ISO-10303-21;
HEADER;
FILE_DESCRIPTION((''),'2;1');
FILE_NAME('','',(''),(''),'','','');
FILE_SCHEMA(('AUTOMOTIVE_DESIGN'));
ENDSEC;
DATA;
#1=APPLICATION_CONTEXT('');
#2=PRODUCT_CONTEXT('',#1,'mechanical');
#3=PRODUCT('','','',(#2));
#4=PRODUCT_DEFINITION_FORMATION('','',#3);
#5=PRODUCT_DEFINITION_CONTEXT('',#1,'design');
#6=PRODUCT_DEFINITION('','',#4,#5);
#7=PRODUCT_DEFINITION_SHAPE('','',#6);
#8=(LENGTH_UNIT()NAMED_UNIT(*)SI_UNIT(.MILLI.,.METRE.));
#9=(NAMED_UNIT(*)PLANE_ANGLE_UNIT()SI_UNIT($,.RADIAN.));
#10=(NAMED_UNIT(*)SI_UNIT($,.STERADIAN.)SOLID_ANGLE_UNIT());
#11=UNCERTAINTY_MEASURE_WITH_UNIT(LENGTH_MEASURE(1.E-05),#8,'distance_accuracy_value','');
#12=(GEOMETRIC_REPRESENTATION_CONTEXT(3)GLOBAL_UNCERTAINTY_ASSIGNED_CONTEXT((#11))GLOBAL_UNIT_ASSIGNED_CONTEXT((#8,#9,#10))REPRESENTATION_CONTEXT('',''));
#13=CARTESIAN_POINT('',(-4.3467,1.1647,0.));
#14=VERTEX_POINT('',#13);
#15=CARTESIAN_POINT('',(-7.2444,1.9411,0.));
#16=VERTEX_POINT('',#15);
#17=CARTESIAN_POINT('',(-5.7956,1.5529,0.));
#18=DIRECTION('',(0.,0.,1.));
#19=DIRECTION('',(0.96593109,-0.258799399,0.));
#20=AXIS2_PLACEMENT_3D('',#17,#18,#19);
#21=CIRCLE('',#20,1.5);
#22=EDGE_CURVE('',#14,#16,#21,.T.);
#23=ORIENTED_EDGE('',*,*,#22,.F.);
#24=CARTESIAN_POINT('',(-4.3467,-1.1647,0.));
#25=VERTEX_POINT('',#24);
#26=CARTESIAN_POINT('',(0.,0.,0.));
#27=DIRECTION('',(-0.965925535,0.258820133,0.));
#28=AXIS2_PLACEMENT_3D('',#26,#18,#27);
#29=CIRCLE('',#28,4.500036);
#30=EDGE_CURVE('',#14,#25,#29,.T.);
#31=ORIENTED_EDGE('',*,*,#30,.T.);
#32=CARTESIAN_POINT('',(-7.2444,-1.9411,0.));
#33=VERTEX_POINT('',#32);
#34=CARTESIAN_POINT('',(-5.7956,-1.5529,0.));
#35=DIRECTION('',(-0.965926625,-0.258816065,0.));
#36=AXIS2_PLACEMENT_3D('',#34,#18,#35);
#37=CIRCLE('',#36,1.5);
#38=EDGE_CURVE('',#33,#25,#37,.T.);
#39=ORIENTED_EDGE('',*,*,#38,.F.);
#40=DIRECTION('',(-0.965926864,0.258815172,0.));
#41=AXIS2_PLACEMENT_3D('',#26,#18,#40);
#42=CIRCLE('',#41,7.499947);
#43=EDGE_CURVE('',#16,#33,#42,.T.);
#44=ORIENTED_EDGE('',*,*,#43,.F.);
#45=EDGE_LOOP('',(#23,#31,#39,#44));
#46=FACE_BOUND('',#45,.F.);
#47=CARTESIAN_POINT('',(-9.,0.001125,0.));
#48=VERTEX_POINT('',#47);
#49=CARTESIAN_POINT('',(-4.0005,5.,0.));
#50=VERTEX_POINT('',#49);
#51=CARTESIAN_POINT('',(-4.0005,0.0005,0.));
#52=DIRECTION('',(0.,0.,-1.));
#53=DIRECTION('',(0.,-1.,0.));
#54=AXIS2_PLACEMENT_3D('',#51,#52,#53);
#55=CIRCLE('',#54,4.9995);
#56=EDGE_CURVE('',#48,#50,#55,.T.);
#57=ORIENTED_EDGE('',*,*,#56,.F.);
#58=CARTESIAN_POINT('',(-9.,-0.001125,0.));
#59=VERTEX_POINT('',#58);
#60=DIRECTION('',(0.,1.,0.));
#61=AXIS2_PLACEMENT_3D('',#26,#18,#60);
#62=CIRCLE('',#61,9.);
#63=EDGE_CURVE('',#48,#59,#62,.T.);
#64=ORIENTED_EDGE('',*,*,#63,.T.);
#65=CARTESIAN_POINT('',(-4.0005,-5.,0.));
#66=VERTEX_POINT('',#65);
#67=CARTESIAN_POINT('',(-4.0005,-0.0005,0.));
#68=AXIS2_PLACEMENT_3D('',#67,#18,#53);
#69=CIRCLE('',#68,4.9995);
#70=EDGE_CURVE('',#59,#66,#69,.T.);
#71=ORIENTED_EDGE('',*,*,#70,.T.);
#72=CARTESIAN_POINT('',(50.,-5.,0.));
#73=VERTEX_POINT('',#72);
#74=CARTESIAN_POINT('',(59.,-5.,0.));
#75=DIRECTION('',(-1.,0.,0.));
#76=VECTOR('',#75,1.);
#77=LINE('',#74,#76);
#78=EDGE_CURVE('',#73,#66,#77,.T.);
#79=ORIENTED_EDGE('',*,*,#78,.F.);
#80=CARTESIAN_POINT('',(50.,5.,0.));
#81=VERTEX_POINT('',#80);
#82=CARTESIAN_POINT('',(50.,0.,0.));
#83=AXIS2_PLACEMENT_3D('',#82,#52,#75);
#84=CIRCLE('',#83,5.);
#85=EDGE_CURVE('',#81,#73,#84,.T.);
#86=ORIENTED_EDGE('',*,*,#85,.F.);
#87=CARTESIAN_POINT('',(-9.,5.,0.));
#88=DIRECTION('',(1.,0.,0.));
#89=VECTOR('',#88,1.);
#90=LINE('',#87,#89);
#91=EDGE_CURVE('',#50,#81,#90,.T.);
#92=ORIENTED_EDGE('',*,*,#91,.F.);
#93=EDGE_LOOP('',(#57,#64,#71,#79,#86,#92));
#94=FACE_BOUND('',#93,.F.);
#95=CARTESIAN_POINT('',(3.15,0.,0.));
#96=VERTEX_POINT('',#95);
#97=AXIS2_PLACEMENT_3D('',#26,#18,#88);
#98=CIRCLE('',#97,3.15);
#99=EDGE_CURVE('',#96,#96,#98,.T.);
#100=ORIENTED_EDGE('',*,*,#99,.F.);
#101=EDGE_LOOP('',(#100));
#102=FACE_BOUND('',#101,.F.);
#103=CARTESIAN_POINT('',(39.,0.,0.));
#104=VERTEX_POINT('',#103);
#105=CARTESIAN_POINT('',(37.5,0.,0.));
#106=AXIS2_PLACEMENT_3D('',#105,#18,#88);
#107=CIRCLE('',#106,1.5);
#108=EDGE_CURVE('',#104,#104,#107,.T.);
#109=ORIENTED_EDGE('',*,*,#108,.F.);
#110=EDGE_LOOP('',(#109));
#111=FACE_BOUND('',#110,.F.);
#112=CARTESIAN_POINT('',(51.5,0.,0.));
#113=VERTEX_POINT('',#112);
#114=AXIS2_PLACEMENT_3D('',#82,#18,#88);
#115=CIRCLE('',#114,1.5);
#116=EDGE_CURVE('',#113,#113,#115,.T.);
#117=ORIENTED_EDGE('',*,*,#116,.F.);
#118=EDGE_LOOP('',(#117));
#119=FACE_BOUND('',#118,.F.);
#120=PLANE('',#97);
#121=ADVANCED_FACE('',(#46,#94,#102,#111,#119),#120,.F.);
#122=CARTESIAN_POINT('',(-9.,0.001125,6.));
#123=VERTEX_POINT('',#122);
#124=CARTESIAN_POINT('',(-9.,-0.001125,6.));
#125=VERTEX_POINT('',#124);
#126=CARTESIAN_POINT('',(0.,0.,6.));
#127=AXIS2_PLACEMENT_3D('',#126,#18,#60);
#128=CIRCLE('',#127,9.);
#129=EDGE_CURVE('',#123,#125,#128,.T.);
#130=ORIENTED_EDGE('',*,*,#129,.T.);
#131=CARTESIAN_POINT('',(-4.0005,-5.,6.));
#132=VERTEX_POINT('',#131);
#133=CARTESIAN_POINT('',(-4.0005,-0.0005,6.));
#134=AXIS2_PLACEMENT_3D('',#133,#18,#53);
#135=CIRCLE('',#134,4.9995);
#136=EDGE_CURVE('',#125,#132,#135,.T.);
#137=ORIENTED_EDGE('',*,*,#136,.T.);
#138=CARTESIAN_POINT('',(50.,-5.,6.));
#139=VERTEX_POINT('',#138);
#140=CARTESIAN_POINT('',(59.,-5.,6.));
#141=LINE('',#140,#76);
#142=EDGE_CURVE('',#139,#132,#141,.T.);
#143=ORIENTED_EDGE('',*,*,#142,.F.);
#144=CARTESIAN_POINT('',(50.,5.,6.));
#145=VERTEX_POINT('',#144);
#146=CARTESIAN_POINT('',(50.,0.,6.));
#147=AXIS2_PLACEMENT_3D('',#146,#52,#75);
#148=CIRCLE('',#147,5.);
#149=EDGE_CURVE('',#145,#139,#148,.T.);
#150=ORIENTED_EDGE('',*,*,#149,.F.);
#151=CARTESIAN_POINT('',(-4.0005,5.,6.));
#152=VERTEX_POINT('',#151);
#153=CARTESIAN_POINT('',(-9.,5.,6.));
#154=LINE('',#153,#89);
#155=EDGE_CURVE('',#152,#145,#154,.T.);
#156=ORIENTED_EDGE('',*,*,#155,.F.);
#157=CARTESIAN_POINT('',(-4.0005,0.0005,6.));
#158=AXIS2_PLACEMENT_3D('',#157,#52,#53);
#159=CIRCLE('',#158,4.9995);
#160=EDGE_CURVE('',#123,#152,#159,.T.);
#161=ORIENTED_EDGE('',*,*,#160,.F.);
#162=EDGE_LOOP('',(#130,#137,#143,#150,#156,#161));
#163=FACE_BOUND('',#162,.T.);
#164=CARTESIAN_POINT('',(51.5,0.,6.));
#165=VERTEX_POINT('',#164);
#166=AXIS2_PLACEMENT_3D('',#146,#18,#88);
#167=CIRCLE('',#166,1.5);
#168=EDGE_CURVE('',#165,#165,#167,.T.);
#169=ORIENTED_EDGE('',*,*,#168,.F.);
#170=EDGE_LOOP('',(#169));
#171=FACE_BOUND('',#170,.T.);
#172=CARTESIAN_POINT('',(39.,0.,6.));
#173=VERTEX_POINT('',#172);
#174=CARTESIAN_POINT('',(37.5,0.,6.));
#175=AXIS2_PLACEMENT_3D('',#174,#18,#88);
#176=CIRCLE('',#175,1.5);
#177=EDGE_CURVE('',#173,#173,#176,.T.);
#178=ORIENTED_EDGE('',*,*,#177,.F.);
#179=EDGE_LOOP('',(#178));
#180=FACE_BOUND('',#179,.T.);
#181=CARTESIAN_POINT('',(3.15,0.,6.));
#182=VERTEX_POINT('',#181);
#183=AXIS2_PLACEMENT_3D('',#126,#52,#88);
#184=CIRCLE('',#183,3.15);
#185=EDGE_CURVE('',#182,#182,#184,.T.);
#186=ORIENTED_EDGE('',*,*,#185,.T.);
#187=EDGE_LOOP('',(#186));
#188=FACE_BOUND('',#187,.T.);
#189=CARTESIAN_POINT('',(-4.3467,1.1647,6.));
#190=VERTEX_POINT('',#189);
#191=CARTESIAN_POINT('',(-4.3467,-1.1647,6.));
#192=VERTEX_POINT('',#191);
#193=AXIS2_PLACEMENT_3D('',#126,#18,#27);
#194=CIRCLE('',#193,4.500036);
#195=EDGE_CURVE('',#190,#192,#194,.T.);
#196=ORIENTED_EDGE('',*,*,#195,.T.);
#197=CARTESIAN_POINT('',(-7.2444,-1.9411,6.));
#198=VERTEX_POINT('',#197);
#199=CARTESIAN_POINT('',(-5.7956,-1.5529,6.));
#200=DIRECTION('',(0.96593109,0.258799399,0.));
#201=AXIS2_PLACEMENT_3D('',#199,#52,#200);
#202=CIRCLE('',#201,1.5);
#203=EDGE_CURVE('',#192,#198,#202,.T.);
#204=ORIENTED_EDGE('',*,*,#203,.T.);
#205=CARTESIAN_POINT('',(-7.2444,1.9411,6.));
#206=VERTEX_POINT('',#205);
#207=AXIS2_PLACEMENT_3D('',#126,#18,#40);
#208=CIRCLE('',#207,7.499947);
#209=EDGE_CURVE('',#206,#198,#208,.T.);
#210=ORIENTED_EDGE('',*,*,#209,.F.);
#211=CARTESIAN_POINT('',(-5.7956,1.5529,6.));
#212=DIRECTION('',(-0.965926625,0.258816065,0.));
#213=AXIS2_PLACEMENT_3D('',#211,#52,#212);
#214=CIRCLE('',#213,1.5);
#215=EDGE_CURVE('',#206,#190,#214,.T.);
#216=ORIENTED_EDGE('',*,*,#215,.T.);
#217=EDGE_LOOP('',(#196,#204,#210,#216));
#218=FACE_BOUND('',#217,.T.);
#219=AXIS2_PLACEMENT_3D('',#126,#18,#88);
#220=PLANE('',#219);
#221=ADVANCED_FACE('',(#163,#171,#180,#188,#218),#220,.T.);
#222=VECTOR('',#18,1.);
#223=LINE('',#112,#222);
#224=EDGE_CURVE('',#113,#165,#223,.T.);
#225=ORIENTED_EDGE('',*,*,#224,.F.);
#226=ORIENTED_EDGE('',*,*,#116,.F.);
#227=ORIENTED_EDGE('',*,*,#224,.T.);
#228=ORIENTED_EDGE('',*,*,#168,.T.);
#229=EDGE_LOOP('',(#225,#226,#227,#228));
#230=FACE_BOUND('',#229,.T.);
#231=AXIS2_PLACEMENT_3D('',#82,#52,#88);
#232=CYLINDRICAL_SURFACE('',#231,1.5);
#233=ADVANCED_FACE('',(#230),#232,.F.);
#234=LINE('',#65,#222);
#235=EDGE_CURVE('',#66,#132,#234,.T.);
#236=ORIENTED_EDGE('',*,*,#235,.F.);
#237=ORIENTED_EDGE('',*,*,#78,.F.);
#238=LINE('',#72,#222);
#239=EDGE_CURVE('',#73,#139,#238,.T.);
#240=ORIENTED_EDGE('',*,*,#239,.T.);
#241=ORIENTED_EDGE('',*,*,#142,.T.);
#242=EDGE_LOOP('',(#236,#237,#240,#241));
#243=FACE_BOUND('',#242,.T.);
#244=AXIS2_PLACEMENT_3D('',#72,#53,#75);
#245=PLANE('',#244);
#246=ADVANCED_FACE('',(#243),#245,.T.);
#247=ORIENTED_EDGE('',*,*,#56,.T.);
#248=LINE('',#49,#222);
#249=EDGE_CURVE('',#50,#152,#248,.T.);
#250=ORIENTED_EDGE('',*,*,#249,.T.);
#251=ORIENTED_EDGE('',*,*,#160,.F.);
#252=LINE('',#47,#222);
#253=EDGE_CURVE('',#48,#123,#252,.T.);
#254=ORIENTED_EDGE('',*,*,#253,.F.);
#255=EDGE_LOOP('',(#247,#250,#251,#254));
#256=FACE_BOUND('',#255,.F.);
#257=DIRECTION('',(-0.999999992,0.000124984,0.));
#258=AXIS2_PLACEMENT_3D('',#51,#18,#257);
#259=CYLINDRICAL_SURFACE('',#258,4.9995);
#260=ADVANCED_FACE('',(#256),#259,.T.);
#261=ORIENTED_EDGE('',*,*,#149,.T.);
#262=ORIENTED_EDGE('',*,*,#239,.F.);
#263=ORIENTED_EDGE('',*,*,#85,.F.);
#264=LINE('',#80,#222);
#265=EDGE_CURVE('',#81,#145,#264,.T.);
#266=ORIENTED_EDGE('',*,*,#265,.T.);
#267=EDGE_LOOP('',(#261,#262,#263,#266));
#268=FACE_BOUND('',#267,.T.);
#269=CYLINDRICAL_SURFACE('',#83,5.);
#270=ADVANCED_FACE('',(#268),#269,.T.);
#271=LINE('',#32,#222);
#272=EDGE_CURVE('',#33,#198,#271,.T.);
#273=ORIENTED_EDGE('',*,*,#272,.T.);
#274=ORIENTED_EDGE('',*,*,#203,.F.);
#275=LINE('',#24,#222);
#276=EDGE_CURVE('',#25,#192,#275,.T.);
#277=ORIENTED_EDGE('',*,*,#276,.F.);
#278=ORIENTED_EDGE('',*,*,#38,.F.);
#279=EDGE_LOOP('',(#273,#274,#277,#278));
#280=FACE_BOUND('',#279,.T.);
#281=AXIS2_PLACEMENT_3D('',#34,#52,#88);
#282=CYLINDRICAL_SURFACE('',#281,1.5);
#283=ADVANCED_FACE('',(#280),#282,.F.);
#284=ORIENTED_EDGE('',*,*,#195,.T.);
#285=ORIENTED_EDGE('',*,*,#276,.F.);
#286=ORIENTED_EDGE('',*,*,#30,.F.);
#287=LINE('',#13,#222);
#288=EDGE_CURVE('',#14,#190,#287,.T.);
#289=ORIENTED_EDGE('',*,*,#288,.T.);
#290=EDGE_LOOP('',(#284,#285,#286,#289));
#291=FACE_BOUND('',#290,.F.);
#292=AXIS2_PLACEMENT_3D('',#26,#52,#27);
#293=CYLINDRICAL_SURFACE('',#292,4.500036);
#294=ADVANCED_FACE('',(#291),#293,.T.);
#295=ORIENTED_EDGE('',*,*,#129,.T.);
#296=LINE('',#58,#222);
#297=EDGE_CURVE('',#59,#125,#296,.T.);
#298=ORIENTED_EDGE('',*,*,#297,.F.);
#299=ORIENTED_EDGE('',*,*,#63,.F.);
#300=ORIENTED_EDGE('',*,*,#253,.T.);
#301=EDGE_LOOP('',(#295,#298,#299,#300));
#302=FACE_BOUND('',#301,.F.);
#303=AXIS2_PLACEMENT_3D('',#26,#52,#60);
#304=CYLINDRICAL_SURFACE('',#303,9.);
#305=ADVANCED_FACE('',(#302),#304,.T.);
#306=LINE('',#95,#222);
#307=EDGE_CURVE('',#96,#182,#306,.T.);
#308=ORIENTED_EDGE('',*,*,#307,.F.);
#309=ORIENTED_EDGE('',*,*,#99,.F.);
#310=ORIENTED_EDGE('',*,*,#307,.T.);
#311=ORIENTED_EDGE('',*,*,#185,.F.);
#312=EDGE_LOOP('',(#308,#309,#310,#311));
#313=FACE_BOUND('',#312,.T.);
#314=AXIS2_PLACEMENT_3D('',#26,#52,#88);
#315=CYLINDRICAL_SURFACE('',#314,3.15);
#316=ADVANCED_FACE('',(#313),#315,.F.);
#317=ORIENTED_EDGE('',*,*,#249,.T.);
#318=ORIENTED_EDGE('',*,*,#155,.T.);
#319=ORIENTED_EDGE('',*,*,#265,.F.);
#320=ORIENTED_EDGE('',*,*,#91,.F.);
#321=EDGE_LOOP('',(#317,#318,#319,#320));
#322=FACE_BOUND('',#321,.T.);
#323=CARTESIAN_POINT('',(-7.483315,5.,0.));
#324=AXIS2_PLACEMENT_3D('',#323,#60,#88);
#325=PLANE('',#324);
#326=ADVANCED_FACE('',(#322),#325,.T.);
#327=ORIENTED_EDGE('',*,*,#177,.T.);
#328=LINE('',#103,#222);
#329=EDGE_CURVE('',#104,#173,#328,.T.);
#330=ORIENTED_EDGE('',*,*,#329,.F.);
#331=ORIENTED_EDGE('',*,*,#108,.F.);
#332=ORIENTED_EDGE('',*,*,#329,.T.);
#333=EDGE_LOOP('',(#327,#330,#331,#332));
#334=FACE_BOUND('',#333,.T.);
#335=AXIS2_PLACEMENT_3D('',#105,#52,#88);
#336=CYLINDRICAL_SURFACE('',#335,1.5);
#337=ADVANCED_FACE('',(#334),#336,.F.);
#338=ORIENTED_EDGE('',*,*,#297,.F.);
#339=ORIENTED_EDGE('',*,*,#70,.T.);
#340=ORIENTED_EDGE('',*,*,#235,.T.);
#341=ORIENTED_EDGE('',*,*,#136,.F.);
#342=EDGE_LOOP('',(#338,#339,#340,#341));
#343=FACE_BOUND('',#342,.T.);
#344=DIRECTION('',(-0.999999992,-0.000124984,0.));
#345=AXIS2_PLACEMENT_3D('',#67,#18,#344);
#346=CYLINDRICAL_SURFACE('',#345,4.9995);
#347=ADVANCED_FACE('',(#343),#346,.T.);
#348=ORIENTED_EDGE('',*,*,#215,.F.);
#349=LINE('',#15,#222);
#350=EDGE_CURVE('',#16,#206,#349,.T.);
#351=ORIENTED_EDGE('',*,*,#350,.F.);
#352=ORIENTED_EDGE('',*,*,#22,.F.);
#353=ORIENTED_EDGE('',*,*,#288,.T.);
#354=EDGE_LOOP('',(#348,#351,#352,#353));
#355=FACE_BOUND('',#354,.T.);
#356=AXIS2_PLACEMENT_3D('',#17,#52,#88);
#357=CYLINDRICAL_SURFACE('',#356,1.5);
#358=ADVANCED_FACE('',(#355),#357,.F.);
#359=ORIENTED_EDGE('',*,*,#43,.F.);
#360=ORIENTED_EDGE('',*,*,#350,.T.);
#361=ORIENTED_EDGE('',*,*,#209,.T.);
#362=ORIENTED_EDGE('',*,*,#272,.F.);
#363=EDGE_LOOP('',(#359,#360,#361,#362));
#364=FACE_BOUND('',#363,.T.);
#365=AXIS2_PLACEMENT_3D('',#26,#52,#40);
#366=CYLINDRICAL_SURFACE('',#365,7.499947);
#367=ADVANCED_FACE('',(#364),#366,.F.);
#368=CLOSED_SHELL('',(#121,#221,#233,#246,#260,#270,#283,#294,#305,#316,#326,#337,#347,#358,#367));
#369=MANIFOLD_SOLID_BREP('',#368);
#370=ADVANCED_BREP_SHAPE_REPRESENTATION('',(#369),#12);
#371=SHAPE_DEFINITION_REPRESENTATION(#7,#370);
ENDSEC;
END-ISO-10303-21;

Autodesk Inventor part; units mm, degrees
ref_plane "YZ Plane" through (0, 0, 0) normal (1, 0, 0) x (0, 1, 0)
ref_plane "XZ Plane" through (0, 0, 0) normal (0, 1, 0) x (-1, 0, 0)
ref_plane "XY Plane" through (0, 0, 0) normal (0, 0, 1) x (1, 0, 0)
sketch "Sketch1" plane through (0, 0, 0) normal (0, 0, 1) x (1, 0, 0)
  circle A0 centre (0, 0) radius 3.15
  line L0 (0, 0) -> (50, 0) construction
  line L1 (0, -9) -> (50, -9)
  line L2 (50, 9) -> (0, 9)
  arc A1 (0, 9) -> (0, -9) centre (0, 0) ccw
  arc A2 (50, -9) -> (50, 9) centre (50, 0) ccw
  line L3 (0, 0) -> (50, 0) construction
  circle A3 centre (50, 0) radius 1.5
  circle A4 centre (37.5, 0) radius 1.5
  circle A5 centre (-5.7956, -1.5529) radius 1.5
  circle A6 centre (-5.7956, 1.5529) radius 1.5
  line L4 (0, 0) -> (-5.7956, 1.5529) construction
  line L5 (0, 0) -> (-5.7956, -1.5529) construction
  line L6 (0, 0) -> (-9, 0) construction
  arc A7 (-4.3467, 1.1647) -> (-4.3467, -1.1647) centre (0, 0) ccw
  arc A8 (-7.2444, 1.9411) -> (-7.2444, -1.9411) centre (0, 0) ccw
  line L7 (-1.8674, 2.5368) -> (1.2741, 2.8808)
  point P0 (25, 0)
  dimension "d0" = 6.3
  dimension "d1" = 50
  dimension "d2" = 0
  dimension "d3" = 18
  dimension "d4" = 3
  dimension "d5" = 3
  dimension "d6" = 12.5
  dimension "d7" = 3
  dimension "d8" = 3
  dimension "d9" = 15
  dimension "d10" = 15
  dimension "d12" = 6
  dimension "d15" = 2.725
  dimension "d16" = -6.25
  dimension "d17" = 6
extrude "Extrusion1" add sketch "Sketch1" along normal blind 6
sketch "Sketch2" plane through (0, 0, 0) normal (0, 0, -1) x (-1, 0, 0)
  arc A0 (-50, 9) -> (-50, -9) centre (-50, 0) ccw projected
  line L0 (0, -9) -> (-50, -9) projected
  arc A1 (0, -9) -> (0, 9) centre (0, 0) ccw projected
  line L1 (-50, 9) -> (0, 9) projected
  circle A2 centre (-37.5, 0) radius 1.5 projected
  arc A3 (7.2444, -1.9411) -> (7.2444, 1.9411) centre (0, 0) ccw projected
  arc A4 (4.3467, -1.1647) -> (7.2444, -1.9411) centre (5.7956, -1.5529) ccw projected
  arc A5 (4.3467, -1.1647) -> (4.3467, 1.1647) centre (0, 0) ccw projected
  arc A6 (7.2444, 1.9411) -> (4.3467, 1.1647) centre (5.7956, 1.5529) ccw projected
  circle A7 centre (-50, 0) radius 1.5 projected
  circle A8 centre (0, 0) radius 3.15 projected
  line L2 (9, 5) -> (-59, 5)
  line L3 (-59, 5) -> (-59, -5)
  line L4 (-59, -5) -> (9, -5)
  line L5 (9, -5) -> (9, 5)
  circle A9 centre (-50, 0) radius 5
  point P0 (7.4833, -5)
  point P1 (-50, -5)
  point P2 (-50, 5)
  point P3 (7.4833, 5)
  dimension "d18" = 5
  dimension "d19" = 10
  dimension "d20" = 9
  dimension "d21" = 59
extrude "Extrusion2" cut sketch "Sketch2" against normal blind 6 contours L1 A1 L2 A0 | L2 A9 L4 A0 | L4 A1 L0 A0
fillet "Fillet1" radius 5 2 edges at (-7.4833, 5, 3) (-7.4833, -5, 3)
sketch "Sketch3" plane through (0, 0, 6) normal (0, 0, 1) x (1, 0, 0)
  circle A0 centre (0, 0) radius 3.15 projected
  circle A1 centre (50, 0) radius 1.5 projected
  arc A2 (-7.2444, 1.9411) -> (-7.2444, -1.9411) centre (0, 0) ccw projected
  arc A3 (-4.3467, 1.1647) -> (-7.2444, 1.9411) centre (-5.7956, 1.5529) ccw projected
  arc A4 (-4.3467, 1.1647) -> (-4.3467, -1.1647) centre (0, 0) ccw projected
  arc A5 (-7.2444, -1.9411) -> (-4.3467, -1.1647) centre (-5.7956, -1.5529) ccw projected
  circle A6 centre (37.5, 0) radius 1.5 projected
properties part number "Arm2_3D" material "Aluminum 6061, Welded"
